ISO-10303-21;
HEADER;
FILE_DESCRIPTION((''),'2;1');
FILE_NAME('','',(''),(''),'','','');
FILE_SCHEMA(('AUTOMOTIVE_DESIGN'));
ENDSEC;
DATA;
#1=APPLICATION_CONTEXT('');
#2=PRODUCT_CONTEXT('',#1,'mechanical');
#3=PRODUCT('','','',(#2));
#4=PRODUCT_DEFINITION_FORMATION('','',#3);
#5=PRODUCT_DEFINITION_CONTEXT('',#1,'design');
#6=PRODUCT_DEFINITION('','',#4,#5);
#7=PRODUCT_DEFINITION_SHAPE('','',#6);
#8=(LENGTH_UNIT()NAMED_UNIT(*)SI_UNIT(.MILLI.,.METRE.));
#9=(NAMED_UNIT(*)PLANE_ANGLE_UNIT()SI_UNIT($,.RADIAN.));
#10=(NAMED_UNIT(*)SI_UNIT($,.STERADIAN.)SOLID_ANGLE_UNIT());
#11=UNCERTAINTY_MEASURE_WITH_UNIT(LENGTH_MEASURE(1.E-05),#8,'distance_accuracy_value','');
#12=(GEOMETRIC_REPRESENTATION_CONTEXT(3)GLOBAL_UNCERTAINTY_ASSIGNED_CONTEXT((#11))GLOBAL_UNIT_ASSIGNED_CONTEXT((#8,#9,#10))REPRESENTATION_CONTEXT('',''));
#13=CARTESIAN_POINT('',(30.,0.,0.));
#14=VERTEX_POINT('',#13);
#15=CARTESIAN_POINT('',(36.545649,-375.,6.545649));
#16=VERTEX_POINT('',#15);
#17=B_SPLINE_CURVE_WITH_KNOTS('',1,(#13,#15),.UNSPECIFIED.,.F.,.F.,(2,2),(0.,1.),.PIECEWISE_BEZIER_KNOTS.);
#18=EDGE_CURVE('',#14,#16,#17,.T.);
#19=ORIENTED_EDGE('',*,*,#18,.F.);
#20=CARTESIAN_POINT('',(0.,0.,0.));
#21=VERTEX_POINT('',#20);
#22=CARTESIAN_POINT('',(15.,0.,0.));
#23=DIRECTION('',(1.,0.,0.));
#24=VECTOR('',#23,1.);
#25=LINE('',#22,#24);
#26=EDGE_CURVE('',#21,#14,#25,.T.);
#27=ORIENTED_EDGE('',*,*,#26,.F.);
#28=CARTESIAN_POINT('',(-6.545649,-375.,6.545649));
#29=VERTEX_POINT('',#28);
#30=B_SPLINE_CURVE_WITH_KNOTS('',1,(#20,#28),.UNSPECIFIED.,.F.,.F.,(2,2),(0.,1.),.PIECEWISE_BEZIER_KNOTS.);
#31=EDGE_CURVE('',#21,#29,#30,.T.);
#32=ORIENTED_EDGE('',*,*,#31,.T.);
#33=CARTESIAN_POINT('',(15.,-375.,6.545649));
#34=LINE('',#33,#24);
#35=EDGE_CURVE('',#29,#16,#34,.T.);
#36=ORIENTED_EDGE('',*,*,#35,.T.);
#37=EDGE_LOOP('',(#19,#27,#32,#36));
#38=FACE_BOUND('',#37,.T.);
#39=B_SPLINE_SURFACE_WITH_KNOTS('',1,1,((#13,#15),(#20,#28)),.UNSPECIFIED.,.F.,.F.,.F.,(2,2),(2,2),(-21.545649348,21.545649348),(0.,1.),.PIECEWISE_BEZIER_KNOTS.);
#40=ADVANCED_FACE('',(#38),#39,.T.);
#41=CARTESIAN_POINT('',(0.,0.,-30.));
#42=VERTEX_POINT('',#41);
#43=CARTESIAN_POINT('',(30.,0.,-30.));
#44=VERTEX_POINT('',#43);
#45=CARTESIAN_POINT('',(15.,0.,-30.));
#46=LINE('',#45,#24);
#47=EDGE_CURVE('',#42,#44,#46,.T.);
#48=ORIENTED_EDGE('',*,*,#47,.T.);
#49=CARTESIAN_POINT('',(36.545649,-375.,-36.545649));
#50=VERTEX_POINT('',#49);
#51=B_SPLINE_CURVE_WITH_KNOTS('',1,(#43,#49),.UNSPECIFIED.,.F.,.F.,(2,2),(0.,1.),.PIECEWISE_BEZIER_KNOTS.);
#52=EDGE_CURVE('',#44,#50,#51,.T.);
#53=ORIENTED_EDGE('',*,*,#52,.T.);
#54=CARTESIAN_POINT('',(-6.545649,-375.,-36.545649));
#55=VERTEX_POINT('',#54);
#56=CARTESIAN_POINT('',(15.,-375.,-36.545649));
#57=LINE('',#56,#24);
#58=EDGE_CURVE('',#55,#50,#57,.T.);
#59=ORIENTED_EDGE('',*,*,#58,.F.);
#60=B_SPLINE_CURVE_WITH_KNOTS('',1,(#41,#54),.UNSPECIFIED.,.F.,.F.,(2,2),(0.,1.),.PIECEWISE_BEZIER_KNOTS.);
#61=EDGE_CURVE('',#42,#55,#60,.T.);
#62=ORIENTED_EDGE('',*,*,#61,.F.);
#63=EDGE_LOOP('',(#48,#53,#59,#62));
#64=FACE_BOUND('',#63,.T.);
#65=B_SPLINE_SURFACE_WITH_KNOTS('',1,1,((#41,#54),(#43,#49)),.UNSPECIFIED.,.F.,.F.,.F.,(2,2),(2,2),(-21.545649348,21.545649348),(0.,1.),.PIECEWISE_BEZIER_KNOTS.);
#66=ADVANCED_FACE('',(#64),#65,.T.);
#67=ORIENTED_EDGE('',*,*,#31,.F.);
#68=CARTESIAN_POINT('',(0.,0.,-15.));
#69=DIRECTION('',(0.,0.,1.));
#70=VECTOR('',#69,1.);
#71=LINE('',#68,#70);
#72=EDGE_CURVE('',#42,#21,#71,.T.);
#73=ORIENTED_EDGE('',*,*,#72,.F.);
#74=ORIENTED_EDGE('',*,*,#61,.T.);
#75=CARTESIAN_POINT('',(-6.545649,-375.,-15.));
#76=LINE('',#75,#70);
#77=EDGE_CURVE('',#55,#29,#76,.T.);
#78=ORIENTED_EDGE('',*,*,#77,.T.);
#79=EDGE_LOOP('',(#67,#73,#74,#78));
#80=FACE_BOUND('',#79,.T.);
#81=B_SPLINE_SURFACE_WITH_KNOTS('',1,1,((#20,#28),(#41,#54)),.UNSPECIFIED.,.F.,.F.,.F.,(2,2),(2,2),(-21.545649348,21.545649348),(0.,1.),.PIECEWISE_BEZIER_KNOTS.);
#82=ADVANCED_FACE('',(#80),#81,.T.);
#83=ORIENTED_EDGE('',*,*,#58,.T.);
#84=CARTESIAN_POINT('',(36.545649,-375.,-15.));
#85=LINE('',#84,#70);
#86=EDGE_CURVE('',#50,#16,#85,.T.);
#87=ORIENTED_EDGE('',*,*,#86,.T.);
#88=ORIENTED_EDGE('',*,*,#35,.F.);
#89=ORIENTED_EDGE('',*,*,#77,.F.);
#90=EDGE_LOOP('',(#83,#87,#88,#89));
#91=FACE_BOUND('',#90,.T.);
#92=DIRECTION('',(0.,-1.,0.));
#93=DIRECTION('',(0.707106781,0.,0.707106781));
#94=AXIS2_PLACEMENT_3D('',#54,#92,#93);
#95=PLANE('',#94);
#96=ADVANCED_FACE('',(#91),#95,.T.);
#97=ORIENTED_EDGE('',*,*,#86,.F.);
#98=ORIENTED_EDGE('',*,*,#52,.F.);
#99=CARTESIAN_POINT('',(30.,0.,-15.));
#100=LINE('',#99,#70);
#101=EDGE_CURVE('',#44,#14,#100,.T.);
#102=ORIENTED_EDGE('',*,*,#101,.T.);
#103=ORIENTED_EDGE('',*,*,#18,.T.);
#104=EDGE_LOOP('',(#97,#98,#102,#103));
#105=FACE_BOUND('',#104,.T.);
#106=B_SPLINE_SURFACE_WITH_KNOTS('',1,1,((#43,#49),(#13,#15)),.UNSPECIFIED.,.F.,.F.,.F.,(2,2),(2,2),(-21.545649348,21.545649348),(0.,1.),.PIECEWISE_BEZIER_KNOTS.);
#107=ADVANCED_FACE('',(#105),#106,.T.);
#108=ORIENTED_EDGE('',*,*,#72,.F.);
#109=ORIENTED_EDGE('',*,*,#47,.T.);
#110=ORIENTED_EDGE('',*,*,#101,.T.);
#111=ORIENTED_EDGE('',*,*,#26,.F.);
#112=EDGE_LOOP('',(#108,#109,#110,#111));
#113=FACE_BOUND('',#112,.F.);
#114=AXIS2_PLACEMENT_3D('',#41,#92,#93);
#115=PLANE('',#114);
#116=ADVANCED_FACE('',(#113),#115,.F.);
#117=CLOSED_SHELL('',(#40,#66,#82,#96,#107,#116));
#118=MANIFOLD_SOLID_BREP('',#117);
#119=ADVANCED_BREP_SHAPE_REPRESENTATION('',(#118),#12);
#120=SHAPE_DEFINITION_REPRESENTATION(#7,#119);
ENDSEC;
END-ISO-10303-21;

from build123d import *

# Parameters (mm, degrees)
F0_W     = 30
F0_H     = 30
F1_DEPTH = 375
F1_TAPER = -1


with BuildPart() as f1:
    # F0 (on Front) → F1 (new body)
    with BuildSketch(Plane.XZ):
        with Locations((15, -15)):
            Rectangle(F0_W, F0_H)
    extrude(amount=F1_DEPTH, taper=F1_TAPER)


solid = f1.part
